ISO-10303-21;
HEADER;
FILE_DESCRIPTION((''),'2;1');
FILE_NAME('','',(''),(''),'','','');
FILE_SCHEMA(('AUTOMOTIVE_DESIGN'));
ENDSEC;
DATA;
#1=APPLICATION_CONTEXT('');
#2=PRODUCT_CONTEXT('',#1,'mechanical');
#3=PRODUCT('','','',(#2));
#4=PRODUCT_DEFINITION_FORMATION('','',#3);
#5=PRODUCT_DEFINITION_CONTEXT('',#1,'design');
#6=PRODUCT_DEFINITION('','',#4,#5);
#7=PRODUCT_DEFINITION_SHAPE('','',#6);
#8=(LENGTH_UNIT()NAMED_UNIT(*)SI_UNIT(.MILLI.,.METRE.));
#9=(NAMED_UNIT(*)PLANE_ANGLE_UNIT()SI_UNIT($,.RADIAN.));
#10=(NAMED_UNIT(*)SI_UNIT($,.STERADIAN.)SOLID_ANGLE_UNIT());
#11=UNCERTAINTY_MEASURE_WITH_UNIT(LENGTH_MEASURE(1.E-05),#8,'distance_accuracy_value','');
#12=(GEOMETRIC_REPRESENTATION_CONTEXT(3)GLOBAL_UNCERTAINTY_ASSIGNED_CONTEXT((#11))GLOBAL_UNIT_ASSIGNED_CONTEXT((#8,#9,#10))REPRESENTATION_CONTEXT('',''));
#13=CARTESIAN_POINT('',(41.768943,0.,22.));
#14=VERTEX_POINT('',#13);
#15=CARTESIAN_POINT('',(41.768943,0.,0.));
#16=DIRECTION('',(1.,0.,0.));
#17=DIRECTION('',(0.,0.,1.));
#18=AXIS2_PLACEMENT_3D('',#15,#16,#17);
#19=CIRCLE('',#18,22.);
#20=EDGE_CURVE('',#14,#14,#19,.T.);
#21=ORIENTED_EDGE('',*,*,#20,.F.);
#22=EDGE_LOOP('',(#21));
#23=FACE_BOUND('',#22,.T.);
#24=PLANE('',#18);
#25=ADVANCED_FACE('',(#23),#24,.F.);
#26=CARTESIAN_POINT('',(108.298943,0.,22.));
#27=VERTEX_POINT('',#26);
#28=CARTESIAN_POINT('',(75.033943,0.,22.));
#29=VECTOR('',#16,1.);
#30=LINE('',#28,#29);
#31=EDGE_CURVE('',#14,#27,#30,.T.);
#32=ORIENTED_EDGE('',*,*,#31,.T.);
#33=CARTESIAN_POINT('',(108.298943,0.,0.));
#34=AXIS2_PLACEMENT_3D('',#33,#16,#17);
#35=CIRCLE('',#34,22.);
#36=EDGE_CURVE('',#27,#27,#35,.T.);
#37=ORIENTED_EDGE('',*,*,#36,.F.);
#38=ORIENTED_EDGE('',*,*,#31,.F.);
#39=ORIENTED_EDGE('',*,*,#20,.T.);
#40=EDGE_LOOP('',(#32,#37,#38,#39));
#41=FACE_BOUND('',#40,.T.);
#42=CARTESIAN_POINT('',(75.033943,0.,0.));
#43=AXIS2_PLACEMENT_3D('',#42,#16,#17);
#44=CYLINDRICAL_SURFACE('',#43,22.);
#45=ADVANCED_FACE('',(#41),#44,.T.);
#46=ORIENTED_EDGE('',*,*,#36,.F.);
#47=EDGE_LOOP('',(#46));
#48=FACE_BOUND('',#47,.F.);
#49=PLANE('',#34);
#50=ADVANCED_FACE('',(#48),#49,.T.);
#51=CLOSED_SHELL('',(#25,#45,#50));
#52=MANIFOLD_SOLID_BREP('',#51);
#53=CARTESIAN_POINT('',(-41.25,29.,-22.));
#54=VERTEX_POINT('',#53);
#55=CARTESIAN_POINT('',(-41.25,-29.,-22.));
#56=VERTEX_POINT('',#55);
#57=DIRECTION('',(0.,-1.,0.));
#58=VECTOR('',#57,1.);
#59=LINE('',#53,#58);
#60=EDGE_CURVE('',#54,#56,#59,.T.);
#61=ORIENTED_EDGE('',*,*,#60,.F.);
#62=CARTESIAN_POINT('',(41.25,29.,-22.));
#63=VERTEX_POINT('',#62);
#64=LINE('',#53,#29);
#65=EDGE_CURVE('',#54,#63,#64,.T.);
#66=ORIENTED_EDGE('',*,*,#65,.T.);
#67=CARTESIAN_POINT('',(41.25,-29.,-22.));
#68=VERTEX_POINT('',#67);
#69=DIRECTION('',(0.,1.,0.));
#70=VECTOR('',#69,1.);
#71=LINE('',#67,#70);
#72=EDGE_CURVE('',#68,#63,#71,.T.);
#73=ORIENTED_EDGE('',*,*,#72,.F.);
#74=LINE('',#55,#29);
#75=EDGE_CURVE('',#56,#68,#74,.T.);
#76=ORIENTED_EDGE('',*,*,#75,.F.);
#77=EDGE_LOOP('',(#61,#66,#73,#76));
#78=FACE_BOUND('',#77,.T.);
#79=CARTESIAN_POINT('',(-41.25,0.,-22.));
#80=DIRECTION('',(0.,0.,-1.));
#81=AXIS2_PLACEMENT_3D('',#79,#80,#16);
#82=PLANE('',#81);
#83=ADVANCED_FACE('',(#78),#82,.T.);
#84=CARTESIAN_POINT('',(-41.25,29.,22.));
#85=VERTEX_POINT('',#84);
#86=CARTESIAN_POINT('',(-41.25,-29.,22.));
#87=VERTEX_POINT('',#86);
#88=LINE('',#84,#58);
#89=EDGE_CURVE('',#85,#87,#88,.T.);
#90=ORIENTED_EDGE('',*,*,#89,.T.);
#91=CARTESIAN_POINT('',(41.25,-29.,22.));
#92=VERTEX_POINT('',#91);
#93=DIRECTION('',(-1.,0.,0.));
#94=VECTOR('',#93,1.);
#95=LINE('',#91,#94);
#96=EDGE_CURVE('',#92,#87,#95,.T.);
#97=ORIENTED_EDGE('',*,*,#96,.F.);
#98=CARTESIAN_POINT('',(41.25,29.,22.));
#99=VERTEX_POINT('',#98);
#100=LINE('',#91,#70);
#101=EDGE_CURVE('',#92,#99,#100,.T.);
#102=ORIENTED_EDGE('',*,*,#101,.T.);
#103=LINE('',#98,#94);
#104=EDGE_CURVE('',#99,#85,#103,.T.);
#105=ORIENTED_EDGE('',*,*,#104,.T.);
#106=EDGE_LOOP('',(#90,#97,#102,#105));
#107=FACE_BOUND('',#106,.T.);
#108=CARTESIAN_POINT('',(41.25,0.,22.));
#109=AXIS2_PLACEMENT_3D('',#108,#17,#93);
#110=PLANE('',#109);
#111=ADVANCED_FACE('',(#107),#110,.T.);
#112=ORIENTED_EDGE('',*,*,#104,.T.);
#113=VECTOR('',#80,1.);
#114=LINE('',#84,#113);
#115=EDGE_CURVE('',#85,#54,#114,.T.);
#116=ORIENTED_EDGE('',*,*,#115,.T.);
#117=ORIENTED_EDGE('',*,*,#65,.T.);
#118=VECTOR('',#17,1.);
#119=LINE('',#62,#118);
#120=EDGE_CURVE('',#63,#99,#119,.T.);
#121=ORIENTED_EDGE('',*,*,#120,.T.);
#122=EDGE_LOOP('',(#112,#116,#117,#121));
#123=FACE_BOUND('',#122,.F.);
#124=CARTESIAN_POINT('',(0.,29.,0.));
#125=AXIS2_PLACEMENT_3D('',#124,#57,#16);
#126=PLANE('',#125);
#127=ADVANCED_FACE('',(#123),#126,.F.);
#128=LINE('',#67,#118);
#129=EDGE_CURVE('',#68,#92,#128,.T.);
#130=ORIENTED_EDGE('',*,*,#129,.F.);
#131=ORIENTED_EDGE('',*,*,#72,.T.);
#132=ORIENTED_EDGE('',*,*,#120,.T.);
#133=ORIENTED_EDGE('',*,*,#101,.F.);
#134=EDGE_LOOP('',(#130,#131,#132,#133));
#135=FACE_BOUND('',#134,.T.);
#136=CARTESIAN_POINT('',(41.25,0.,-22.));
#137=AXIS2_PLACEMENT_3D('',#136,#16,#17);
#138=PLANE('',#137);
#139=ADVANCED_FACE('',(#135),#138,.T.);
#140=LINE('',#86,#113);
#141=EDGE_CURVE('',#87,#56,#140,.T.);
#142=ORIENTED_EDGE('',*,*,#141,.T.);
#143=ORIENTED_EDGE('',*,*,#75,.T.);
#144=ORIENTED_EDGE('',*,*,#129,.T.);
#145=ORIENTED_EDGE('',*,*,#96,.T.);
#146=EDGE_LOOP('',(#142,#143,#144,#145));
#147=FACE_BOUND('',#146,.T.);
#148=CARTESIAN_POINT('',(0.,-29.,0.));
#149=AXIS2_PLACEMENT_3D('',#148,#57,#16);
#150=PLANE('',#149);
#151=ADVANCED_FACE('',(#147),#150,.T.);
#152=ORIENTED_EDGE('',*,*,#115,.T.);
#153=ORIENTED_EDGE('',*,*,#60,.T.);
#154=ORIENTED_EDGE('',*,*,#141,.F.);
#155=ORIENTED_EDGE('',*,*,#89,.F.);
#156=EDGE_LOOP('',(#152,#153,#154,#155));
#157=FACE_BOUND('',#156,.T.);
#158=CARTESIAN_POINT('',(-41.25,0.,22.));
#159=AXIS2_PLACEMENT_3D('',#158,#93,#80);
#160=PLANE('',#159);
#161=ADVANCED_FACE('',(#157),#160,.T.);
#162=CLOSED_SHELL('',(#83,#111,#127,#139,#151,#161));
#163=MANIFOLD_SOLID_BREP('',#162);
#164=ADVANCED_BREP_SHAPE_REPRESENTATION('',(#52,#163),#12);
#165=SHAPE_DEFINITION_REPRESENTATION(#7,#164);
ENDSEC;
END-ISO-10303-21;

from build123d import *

# Parameters (mm, degrees)
F1_W     = 66.53
F1_H     = 22
F3_DEPTH = 29


with BuildPart() as f2:
    # F1 (on Front) → F2 (revolve)
    with BuildSketch(Plane.XZ):
        with Locations((75.033943, 11)):
            Rectangle(F1_W, F1_H)
    revolve(axis=Axis((75.033943, 0, 0), (1, 0, 0)))


with BuildPart() as f3:
    # F0 (on Front) → F3 (new body, symmetric)
    with BuildSketch(Plane.XZ):
        Polygon((41.25, 0), (41.25, 22), (-41.25, 22), (-41.25, -22), (41.25, -22), align=None)
    extrude(amount=F3_DEPTH, both=True)


solid = Compound([f2.part, f3.part])
